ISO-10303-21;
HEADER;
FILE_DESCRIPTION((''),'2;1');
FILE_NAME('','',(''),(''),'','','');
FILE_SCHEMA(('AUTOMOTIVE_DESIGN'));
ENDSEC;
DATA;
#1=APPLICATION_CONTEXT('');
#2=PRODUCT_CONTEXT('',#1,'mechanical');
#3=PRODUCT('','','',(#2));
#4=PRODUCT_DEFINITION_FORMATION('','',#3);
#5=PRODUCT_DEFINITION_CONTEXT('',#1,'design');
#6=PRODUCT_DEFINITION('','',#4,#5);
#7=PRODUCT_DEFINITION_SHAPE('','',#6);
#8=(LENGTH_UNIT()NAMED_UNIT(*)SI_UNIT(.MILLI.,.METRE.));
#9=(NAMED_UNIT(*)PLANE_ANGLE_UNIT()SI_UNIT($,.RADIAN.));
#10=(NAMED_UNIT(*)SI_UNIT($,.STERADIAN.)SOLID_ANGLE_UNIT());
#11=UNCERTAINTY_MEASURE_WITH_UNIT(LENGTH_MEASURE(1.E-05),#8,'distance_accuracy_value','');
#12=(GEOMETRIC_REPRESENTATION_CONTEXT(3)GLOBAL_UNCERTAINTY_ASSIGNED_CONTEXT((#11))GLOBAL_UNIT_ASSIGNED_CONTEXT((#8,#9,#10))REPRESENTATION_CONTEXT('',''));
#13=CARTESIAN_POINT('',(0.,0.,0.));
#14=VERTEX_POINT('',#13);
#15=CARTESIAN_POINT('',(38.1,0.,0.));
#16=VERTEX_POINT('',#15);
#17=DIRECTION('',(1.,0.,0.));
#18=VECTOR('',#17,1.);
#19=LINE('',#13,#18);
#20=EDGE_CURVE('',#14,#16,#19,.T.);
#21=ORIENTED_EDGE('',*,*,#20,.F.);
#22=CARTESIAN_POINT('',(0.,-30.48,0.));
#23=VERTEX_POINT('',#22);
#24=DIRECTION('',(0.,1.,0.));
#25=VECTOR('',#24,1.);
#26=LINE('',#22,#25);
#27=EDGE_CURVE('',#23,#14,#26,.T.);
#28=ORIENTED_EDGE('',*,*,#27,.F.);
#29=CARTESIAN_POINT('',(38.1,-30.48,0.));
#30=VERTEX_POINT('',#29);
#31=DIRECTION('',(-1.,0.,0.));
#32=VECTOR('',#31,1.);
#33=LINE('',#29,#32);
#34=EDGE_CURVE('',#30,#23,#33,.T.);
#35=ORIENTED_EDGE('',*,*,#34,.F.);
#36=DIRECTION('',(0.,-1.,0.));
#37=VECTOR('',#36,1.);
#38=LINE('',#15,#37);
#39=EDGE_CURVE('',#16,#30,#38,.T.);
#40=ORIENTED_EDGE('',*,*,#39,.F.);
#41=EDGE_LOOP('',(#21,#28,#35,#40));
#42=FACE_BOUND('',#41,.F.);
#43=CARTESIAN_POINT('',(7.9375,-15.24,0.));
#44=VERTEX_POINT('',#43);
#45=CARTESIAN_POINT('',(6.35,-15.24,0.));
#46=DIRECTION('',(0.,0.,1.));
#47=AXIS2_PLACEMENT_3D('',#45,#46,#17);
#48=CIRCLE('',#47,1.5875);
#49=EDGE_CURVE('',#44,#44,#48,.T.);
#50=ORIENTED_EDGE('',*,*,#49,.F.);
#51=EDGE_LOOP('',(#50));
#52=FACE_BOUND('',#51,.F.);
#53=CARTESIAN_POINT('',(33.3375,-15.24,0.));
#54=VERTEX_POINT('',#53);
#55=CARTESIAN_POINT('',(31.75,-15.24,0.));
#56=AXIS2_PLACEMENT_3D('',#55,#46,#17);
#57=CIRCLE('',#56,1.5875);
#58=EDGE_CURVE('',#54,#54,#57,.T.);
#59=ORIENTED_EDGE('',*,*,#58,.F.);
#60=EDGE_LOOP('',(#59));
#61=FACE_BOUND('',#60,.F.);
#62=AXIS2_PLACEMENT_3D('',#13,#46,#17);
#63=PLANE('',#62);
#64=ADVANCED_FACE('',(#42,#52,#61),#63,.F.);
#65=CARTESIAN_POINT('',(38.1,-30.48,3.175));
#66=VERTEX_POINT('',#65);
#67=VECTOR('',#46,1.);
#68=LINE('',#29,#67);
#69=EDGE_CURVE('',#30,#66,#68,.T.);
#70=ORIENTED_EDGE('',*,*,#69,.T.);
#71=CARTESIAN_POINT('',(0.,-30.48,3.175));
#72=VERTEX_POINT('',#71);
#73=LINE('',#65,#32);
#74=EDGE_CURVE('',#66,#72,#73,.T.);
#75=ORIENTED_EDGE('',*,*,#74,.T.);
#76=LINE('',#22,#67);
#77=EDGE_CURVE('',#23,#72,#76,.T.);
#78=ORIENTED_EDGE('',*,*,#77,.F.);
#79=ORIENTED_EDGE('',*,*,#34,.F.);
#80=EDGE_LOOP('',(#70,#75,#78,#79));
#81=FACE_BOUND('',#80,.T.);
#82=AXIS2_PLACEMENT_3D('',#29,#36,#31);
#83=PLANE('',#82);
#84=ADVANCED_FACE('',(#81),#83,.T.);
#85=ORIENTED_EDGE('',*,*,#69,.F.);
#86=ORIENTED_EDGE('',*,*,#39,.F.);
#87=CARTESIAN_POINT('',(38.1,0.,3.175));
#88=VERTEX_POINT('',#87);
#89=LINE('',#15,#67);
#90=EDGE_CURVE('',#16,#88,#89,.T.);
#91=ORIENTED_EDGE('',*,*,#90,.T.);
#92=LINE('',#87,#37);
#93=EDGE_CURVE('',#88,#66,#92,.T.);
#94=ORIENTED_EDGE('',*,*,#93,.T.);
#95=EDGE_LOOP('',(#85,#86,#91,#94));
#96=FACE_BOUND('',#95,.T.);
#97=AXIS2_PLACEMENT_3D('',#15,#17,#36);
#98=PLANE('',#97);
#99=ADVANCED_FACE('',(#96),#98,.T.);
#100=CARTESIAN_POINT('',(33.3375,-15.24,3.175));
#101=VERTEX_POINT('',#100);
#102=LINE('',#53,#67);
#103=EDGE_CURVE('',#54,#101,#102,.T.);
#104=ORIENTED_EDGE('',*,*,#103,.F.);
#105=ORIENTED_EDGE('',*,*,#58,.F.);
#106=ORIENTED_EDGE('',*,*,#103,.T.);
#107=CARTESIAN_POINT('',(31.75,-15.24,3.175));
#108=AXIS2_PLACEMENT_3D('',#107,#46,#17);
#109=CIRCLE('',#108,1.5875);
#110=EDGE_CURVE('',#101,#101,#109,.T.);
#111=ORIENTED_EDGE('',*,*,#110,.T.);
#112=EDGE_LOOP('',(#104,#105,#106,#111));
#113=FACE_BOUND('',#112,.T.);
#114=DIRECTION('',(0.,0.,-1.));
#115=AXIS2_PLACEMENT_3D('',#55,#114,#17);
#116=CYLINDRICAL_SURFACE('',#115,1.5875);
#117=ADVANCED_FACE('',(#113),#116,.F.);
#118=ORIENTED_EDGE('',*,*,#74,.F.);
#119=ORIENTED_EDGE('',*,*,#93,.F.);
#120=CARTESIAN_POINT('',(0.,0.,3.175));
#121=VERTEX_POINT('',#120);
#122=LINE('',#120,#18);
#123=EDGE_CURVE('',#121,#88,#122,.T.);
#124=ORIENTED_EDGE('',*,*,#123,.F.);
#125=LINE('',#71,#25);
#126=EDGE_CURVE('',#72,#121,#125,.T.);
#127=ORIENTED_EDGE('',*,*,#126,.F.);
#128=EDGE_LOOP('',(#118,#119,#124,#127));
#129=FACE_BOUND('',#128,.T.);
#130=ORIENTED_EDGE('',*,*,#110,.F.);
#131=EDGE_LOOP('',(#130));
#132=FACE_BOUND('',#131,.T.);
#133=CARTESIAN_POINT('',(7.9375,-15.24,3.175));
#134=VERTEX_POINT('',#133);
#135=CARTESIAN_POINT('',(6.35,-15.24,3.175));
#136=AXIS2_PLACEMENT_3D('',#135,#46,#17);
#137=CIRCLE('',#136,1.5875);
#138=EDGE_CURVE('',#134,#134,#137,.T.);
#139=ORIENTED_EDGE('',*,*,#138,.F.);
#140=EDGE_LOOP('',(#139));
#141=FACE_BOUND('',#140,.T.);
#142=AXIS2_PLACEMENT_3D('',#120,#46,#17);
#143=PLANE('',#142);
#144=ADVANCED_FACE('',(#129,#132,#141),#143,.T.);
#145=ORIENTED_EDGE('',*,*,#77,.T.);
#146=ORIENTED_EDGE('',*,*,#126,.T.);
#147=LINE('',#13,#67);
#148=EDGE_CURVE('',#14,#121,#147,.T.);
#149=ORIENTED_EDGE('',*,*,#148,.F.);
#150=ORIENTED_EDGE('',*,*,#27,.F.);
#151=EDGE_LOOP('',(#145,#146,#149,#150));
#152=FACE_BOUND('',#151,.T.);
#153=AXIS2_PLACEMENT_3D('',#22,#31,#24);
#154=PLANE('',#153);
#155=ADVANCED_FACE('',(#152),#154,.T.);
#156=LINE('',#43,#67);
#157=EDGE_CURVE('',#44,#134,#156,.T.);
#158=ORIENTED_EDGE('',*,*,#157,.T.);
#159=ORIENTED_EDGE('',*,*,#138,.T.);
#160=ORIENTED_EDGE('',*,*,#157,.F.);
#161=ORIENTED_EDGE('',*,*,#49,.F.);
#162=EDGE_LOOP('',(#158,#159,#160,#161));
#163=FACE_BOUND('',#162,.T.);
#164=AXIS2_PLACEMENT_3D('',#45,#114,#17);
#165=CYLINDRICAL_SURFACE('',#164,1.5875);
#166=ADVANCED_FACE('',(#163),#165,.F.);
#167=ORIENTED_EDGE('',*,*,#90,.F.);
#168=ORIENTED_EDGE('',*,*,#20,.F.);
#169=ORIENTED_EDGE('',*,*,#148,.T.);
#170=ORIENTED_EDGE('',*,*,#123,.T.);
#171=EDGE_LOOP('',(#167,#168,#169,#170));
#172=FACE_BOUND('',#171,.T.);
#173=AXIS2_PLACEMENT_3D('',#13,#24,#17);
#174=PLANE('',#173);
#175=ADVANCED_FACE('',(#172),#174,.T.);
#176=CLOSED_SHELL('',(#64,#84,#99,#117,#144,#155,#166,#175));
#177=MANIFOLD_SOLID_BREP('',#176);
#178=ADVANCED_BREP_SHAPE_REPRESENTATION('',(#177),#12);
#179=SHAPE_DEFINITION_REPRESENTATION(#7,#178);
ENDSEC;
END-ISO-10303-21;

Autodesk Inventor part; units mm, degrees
ref_plane "YZ Plane" through (0, 0, 0) normal (1, 0, 0) x (0, 1, 0)
ref_plane "XZ Plane" through (0, 0, 0) normal (0, 1, 0) x (-1, 0, 0)
ref_plane "XY Plane" through (0, 0, 0) normal (0, 0, 1) x (1, 0, 0)
sketch "Sketch1" plane through (0, 0, 0) normal (0, 0, 1) x (1, 0, 0)
  line L0 (0, 0) -> (38.1, 0)
  line L1 (38.1, 0) -> (38.1, -30.48)
  line L2 (38.1, -30.48) -> (0, -30.48)
  line L3 (0, -30.48) -> (0, 0)
  circle A0 centre (6.35, -15.24) radius 1.5875
  circle A1 centre (31.75, -15.24) radius 1.5875
  dimension "d0" = 38.1
  dimension "d1" = 30.48
  dimension "d2" = 6.35
  dimension "d3" = 6.35
  dimension "d4" = 3.175
  dimension "d5" = 3.175
extrude "Extrusion1" add sketch "Sketch1" along normal blind 3.175
properties part number "Plate" material "Aluminum 6061"
